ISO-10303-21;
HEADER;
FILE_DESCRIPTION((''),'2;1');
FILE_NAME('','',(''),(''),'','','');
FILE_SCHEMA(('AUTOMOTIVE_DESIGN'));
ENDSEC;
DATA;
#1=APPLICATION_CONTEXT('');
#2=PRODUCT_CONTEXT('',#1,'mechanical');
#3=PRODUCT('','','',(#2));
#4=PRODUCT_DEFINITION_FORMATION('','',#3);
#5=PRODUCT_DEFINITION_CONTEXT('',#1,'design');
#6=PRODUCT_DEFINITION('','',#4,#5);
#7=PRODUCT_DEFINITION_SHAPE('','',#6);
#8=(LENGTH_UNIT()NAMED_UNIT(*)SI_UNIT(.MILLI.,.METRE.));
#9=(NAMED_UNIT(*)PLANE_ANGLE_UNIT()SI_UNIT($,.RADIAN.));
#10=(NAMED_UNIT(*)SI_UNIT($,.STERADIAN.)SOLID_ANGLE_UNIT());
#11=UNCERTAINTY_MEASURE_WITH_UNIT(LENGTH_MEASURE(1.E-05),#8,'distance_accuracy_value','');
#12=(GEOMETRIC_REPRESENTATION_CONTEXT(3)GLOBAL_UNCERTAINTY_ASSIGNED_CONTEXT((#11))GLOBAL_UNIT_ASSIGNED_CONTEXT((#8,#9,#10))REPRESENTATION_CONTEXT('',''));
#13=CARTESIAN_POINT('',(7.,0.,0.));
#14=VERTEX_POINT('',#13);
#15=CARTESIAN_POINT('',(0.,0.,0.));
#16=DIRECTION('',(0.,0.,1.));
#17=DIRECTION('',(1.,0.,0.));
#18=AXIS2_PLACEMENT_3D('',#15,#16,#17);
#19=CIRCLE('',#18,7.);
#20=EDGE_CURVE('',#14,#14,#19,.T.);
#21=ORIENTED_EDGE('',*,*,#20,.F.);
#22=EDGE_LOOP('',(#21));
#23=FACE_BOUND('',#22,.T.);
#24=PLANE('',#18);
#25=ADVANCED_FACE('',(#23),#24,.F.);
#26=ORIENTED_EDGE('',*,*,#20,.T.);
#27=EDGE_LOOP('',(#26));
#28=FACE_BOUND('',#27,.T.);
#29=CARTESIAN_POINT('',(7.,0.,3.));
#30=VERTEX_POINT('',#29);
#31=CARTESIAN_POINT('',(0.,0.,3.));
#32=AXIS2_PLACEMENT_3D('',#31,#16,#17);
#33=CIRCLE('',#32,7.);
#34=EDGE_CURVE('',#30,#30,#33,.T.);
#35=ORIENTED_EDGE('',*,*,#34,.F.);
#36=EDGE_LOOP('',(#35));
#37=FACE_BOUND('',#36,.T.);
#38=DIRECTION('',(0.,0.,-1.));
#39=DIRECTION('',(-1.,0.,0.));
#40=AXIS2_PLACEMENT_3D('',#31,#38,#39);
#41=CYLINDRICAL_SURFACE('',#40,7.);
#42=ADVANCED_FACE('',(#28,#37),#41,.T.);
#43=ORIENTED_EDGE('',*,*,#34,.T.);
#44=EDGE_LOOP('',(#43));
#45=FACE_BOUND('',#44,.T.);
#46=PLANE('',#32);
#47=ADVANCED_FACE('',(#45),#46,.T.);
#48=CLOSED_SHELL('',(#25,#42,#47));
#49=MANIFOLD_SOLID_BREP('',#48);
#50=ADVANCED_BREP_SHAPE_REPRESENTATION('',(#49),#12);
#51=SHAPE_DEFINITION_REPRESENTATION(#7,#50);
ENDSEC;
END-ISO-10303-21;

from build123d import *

# Parameters (mm, degrees)
SKETCH1_R             = 7
LASER_BASE_BODY_DEPTH = 3


with BuildPart() as part:
    # Sketch1 → Laser Base Body (new body)
    with BuildSketch(Plane.XY):
        Circle(SKETCH1_R)
    extrude(amount=LASER_BASE_BODY_DEPTH)


solid = part.part
